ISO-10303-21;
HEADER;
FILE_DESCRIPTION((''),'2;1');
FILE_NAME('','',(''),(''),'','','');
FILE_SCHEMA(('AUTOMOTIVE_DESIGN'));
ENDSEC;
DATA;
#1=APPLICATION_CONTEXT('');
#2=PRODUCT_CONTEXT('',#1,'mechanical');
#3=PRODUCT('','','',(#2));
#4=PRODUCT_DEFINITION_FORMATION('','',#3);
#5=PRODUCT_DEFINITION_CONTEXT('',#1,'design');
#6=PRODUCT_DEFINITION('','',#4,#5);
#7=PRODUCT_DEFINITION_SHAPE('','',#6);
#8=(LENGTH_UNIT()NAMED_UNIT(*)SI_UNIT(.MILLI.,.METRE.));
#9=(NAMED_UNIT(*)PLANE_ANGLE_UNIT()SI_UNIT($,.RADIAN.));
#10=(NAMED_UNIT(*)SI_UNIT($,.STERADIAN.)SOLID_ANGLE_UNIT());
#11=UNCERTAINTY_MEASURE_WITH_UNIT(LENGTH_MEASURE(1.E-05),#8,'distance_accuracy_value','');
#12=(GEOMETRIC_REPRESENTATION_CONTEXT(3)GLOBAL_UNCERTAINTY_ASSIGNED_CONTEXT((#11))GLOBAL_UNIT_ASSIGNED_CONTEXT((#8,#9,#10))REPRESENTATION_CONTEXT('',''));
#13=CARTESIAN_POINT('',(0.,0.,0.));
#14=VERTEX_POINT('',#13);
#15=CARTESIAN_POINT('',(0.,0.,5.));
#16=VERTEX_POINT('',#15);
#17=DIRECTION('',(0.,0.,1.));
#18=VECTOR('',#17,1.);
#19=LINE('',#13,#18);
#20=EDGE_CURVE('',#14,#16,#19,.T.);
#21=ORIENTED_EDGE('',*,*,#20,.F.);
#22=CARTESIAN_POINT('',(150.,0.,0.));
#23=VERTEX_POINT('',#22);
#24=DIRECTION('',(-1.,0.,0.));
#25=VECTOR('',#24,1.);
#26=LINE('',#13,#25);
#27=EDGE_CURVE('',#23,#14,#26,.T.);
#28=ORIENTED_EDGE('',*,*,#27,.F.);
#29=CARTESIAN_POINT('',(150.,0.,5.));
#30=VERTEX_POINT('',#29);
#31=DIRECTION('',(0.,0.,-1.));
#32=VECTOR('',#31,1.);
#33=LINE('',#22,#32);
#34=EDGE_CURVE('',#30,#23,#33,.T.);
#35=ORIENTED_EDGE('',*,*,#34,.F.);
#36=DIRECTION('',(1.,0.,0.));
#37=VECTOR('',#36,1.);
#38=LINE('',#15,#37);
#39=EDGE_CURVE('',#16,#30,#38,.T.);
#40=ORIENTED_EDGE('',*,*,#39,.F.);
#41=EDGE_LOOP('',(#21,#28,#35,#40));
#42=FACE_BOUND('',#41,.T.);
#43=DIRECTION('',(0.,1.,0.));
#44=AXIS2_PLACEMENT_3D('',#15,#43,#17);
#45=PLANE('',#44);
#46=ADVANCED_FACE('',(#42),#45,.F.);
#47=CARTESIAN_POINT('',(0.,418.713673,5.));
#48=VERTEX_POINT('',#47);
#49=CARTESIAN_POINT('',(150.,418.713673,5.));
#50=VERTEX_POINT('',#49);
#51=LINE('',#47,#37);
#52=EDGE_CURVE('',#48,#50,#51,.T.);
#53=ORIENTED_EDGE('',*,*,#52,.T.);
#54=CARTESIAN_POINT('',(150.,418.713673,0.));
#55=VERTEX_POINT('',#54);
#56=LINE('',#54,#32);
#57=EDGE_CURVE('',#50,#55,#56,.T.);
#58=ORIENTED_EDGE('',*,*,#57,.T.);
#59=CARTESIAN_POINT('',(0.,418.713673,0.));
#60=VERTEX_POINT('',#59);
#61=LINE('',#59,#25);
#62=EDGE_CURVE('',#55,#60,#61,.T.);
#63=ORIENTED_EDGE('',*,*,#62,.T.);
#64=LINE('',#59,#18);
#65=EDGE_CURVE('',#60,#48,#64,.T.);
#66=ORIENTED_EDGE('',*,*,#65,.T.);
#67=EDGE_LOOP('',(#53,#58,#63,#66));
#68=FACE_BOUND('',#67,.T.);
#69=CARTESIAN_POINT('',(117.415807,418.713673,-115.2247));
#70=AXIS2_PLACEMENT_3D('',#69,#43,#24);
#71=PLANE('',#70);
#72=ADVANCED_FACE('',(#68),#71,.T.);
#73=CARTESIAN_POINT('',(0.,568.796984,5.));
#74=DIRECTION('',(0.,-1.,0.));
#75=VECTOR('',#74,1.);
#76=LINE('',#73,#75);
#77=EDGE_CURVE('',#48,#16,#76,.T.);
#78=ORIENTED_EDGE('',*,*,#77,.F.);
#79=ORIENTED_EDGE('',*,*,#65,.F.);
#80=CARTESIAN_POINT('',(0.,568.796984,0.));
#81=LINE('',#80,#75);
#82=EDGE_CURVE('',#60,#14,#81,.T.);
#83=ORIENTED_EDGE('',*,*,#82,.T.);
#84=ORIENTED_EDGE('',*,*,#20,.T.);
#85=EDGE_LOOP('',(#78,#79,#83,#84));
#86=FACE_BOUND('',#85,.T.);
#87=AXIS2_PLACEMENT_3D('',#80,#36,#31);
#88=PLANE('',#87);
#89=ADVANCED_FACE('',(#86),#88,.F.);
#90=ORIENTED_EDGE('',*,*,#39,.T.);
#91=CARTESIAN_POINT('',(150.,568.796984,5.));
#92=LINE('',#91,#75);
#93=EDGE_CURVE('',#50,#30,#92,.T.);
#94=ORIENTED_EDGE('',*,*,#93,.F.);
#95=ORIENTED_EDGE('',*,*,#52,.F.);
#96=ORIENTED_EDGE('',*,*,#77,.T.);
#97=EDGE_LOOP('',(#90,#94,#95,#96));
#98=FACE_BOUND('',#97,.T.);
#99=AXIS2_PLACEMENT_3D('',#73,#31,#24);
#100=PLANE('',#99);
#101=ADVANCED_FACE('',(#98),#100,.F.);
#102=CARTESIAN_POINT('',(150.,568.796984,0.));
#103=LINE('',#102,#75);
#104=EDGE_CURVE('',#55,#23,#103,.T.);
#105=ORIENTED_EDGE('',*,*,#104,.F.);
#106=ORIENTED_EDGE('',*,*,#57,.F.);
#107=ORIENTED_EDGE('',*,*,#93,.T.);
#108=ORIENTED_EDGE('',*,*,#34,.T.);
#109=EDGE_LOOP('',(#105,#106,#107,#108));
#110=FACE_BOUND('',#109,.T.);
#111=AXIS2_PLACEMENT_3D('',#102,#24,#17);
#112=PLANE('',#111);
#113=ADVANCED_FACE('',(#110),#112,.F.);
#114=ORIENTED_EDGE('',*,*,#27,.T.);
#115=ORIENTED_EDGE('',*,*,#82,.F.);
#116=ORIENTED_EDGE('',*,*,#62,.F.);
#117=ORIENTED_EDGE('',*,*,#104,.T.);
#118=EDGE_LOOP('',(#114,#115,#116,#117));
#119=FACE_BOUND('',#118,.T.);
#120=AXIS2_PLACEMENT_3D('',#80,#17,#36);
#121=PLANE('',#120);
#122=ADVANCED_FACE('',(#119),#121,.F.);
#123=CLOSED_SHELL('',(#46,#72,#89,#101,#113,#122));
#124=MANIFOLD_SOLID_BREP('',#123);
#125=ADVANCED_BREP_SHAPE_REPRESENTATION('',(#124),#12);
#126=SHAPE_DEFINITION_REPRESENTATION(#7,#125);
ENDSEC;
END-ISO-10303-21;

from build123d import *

# Parameters (mm, degrees)
SKETCH_1_W      = 150
SKETCH_1_H      = 5
EXTRUDE_1_DEPTH = 418.713673317


with BuildPart() as part:
    # Эскиз1 → Вытянуть1 (new body)
    with BuildSketch(Plane(origin=(0, 0, 0), x_dir=(1, 0, 0), z_dir=(0, 1, 0))):
        with Locations((75, -2.5)):
            Rectangle(SKETCH_1_W, SKETCH_1_H)
    extrude(amount=EXTRUDE_1_DEPTH)


solid = part.part
